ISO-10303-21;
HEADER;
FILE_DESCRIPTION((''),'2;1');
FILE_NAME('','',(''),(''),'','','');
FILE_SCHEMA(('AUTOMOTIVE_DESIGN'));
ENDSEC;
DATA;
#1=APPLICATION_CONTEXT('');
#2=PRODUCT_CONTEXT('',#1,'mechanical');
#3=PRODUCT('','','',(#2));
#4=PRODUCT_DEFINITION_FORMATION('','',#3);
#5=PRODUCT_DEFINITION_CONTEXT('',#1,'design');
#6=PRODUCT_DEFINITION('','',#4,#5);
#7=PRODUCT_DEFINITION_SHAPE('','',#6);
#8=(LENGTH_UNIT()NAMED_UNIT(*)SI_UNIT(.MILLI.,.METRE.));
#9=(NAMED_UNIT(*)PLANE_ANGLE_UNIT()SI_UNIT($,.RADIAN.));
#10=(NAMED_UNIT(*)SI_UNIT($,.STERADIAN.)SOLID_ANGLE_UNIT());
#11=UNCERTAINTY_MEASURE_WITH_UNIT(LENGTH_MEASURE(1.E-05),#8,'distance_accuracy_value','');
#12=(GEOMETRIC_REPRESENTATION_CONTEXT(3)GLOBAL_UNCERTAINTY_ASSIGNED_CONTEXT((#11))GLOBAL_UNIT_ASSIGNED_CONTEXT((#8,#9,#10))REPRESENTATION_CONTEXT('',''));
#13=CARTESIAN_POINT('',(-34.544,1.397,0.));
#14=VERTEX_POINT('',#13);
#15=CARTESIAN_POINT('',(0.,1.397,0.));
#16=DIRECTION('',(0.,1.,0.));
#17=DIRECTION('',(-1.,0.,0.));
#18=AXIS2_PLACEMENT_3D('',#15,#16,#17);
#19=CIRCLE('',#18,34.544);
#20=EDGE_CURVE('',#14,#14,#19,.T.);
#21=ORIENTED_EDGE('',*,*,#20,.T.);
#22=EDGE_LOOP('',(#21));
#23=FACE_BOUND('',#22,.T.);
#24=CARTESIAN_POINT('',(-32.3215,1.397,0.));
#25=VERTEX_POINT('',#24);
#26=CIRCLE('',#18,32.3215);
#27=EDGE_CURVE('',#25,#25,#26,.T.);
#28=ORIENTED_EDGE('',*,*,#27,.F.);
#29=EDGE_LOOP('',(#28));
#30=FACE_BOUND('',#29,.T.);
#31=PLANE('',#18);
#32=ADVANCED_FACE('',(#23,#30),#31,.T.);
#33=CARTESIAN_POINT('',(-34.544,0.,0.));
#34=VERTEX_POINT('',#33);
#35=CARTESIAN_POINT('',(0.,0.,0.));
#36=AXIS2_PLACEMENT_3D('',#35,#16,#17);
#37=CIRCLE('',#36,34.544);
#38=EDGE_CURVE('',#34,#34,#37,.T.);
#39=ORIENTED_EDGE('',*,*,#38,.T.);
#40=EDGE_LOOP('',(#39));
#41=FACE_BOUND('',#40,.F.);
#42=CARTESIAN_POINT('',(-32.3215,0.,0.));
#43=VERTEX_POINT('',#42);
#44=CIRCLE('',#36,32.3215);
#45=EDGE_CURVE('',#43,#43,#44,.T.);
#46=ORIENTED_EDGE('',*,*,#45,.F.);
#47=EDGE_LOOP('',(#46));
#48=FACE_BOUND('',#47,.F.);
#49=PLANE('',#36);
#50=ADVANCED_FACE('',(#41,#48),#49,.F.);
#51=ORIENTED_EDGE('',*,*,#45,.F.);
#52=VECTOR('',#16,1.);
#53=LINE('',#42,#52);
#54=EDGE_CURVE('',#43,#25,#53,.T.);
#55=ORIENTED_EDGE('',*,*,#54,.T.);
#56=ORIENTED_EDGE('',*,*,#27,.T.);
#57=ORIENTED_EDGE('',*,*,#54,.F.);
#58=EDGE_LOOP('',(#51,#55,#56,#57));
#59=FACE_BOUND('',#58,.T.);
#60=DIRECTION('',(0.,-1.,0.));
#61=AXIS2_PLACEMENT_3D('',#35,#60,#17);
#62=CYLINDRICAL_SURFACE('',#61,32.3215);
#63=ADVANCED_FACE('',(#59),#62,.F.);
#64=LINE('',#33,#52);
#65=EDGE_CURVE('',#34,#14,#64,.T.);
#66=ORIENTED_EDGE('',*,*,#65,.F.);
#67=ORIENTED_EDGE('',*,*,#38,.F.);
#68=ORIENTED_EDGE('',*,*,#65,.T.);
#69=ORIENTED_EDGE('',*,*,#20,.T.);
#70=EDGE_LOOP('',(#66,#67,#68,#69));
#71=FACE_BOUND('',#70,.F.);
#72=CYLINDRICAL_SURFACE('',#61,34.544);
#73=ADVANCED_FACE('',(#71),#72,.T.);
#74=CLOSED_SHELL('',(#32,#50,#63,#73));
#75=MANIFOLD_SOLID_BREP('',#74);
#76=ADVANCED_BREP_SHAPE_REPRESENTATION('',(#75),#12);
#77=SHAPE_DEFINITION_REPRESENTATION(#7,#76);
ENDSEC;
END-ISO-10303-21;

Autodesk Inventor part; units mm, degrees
ref_plane "YZ Plane" through (0, 0, 0) normal (1, 0, 0) x (0, 1, 0)
ref_plane "XZ Plane" through (0, 0, 0) normal (0, 1, 0) x (-1, 0, 0)
ref_plane "XY Plane" through (0, 0, 0) normal (0, 0, 1) x (1, 0, 0)
sketch "Sketch1" plane through (0, 0, 0) normal (0, 1, 0) x (-1, 0, 0)
  circle A0 centre (0, 0) radius 32.3215
  circle A1 centre (0, 0) radius 34.544
  dimension "d0" = 64.643
  dimension "d1" = 69.088
extrude "Extrusion1" add sketch "Sketch1" along normal blind 1.397
properties part number "PistonSealingSpacer" material "ABS Plastic"
